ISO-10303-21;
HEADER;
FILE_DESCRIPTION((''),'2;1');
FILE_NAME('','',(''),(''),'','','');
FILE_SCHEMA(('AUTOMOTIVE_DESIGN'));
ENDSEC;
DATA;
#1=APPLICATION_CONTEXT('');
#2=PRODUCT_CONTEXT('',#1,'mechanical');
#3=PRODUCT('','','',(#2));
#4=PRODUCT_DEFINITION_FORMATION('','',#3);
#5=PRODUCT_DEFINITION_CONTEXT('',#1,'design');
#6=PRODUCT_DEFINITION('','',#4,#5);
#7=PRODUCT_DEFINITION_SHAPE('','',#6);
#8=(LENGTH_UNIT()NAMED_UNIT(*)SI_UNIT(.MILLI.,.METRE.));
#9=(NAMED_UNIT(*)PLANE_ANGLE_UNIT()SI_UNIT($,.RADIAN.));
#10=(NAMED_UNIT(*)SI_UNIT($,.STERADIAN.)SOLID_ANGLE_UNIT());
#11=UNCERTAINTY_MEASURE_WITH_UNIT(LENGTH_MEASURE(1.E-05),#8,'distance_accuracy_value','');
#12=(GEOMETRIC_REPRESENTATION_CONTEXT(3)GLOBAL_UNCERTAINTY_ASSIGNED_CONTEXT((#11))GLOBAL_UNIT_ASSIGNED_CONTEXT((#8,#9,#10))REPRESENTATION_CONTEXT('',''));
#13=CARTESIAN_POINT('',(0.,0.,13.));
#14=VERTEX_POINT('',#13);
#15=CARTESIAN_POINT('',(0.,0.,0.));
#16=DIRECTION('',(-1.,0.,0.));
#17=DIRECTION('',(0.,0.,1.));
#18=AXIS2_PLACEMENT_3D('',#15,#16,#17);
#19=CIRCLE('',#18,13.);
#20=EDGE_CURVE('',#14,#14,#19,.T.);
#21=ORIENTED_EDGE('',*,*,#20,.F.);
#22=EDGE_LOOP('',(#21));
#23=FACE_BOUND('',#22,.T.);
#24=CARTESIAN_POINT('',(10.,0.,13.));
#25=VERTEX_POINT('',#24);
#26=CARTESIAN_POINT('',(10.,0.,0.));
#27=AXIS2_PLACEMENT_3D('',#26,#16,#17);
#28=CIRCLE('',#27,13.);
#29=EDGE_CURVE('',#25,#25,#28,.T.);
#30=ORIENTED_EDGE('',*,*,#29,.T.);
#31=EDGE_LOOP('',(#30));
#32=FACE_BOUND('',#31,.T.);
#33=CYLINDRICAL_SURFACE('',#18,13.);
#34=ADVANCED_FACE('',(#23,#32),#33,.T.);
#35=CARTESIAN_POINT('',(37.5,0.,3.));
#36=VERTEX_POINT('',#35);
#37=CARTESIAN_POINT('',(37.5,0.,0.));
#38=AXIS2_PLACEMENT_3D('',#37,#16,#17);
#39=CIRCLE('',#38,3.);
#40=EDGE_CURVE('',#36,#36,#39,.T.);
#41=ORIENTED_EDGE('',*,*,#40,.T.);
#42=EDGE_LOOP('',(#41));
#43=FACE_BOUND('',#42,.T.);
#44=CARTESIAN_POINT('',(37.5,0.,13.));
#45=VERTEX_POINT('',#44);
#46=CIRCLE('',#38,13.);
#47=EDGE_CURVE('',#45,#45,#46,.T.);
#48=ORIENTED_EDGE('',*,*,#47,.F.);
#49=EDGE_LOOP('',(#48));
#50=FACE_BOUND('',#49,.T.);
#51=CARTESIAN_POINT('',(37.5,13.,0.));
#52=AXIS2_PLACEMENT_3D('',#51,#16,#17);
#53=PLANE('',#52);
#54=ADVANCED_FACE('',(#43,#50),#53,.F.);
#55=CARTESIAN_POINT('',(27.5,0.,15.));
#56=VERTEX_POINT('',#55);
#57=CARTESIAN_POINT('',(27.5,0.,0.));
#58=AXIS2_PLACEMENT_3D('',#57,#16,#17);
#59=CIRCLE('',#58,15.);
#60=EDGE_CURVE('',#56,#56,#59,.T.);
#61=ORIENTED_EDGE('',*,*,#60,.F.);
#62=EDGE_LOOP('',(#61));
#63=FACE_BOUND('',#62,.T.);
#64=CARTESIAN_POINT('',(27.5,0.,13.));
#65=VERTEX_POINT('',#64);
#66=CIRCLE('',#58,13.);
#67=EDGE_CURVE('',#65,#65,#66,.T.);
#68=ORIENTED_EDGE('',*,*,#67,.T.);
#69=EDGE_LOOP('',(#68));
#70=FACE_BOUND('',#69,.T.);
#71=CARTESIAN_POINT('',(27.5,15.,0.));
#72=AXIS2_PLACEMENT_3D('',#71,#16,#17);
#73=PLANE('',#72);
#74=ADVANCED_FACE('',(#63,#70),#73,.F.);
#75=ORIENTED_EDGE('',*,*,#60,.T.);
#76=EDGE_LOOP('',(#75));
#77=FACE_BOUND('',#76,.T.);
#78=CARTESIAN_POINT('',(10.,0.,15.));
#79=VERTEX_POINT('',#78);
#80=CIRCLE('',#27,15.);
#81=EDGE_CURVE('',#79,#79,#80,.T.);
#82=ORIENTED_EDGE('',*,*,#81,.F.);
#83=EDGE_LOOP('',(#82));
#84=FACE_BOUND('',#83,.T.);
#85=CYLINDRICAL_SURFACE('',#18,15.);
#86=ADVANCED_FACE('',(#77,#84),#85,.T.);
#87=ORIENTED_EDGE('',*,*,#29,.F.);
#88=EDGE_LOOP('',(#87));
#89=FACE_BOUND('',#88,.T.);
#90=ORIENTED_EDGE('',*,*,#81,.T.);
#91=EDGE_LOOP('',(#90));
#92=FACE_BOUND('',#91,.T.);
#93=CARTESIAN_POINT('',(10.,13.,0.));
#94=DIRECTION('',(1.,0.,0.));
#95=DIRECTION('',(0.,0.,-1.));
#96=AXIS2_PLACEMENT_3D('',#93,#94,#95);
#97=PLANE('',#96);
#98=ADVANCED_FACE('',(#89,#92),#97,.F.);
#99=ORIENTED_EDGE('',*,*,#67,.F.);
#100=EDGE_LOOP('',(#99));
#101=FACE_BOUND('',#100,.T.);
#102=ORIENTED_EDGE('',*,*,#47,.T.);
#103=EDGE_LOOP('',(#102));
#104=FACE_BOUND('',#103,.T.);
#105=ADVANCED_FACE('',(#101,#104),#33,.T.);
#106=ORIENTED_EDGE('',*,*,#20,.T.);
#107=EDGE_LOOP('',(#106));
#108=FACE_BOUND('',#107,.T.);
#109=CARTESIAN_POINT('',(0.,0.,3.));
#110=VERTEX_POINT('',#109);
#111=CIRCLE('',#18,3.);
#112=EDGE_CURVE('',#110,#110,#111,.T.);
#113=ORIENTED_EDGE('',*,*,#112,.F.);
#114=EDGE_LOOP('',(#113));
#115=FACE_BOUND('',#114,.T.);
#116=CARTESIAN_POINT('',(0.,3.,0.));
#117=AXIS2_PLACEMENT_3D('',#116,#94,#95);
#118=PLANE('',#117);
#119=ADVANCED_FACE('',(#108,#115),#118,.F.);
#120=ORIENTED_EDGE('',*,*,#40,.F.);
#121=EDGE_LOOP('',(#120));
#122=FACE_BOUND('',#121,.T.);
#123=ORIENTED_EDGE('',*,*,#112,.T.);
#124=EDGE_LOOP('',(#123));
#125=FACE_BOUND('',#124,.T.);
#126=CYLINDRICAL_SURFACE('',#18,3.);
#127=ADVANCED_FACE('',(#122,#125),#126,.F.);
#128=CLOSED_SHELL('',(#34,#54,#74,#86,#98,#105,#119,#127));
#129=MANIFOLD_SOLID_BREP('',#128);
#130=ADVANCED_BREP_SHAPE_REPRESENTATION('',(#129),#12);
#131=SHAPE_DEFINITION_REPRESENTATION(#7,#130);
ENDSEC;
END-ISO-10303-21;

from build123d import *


with BuildPart() as part:
    # Sketch1 → Revolve1 (revolve)
    with BuildSketch(Plane.XY, mode=Mode.PRIVATE) as revolve1_sk:
        Polygon((0, 3), (0, 13), (10, 13), (10, 15), (27.5, 15), (27.5, 13), (37.5, 13), (37.5, 3), align=None)
    revolve(revolve1_sk.sketch.rotate(Axis((0, 0, 0), (1, 0, 0)), 90), axis=Axis((0, 0, 0), (1, 0, 0)))


solid = part.part
